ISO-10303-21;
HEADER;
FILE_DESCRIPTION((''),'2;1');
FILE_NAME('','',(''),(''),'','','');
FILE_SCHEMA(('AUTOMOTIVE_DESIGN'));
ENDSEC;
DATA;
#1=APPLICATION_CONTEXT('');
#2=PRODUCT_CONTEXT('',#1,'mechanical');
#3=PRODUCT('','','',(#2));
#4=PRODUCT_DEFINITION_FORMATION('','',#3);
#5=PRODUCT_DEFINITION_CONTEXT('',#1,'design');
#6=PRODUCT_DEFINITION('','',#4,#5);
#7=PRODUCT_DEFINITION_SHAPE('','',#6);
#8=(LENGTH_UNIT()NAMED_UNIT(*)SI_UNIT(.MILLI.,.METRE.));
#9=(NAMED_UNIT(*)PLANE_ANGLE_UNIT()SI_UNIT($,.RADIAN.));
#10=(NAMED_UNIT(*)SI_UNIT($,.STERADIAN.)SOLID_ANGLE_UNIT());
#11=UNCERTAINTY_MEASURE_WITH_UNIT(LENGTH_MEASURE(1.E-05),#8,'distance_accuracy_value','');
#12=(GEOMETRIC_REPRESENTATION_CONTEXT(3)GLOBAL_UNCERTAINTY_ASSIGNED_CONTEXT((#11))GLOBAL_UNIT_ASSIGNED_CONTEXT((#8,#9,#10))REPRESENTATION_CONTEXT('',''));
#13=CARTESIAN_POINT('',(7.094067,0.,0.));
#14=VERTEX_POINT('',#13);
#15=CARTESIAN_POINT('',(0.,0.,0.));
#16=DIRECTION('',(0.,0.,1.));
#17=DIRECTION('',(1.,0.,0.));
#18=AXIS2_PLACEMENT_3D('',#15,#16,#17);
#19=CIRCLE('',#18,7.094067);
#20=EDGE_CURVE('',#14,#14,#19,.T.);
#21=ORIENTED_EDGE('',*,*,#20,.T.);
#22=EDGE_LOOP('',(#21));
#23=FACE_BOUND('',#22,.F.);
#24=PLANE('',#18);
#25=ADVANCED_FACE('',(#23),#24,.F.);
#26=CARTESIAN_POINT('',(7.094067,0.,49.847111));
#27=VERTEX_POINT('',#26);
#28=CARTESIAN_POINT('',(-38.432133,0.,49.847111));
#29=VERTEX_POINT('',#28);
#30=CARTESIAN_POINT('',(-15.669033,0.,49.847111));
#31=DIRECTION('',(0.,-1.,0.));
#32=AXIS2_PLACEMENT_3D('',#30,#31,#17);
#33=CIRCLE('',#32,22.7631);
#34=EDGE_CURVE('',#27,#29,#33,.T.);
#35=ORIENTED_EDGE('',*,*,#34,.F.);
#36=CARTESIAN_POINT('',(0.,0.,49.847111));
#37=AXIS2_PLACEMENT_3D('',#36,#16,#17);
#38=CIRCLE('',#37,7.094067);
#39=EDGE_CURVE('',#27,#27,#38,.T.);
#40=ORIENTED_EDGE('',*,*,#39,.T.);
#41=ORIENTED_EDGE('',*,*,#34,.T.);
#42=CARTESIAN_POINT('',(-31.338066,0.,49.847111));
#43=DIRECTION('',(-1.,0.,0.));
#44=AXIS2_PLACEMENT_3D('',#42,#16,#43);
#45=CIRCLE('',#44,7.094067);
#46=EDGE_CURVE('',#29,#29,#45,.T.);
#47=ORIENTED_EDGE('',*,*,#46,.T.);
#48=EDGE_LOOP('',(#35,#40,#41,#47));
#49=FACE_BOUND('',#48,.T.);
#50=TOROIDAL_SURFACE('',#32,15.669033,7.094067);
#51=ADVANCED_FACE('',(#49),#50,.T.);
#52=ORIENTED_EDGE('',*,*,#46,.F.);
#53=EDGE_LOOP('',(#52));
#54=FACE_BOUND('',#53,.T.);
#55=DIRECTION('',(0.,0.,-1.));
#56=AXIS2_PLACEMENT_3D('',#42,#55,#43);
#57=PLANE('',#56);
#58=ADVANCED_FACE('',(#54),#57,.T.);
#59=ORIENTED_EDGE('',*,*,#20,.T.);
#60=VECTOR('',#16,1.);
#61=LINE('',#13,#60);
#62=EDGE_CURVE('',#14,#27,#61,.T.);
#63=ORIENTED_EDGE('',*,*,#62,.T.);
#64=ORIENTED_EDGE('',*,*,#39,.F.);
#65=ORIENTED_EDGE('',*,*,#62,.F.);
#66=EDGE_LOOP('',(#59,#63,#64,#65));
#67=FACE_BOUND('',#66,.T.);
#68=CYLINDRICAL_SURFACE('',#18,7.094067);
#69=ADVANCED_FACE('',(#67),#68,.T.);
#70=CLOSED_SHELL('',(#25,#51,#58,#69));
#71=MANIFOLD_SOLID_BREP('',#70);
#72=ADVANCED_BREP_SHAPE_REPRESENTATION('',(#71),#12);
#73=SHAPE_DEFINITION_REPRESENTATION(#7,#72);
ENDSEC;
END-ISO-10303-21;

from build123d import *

# Parameters (mm, degrees)
F1_R = 7.094067


with BuildPart() as f2:
    # F2: sweep along a path in F0
    with BuildLine(Plane.XZ) as f2_path:
        Line((0, 0), (0, 49.847111))
        ThreePointArc((0, 49.847111), (-15.669033, 65.516144), (-31.338066, 49.847111))
    # F1 (on Top) → F2 (sweep)
    with BuildSketch(Plane.XY):
        Circle(F1_R)
    sweep(path=f2_path.line)


solid = f2.part
